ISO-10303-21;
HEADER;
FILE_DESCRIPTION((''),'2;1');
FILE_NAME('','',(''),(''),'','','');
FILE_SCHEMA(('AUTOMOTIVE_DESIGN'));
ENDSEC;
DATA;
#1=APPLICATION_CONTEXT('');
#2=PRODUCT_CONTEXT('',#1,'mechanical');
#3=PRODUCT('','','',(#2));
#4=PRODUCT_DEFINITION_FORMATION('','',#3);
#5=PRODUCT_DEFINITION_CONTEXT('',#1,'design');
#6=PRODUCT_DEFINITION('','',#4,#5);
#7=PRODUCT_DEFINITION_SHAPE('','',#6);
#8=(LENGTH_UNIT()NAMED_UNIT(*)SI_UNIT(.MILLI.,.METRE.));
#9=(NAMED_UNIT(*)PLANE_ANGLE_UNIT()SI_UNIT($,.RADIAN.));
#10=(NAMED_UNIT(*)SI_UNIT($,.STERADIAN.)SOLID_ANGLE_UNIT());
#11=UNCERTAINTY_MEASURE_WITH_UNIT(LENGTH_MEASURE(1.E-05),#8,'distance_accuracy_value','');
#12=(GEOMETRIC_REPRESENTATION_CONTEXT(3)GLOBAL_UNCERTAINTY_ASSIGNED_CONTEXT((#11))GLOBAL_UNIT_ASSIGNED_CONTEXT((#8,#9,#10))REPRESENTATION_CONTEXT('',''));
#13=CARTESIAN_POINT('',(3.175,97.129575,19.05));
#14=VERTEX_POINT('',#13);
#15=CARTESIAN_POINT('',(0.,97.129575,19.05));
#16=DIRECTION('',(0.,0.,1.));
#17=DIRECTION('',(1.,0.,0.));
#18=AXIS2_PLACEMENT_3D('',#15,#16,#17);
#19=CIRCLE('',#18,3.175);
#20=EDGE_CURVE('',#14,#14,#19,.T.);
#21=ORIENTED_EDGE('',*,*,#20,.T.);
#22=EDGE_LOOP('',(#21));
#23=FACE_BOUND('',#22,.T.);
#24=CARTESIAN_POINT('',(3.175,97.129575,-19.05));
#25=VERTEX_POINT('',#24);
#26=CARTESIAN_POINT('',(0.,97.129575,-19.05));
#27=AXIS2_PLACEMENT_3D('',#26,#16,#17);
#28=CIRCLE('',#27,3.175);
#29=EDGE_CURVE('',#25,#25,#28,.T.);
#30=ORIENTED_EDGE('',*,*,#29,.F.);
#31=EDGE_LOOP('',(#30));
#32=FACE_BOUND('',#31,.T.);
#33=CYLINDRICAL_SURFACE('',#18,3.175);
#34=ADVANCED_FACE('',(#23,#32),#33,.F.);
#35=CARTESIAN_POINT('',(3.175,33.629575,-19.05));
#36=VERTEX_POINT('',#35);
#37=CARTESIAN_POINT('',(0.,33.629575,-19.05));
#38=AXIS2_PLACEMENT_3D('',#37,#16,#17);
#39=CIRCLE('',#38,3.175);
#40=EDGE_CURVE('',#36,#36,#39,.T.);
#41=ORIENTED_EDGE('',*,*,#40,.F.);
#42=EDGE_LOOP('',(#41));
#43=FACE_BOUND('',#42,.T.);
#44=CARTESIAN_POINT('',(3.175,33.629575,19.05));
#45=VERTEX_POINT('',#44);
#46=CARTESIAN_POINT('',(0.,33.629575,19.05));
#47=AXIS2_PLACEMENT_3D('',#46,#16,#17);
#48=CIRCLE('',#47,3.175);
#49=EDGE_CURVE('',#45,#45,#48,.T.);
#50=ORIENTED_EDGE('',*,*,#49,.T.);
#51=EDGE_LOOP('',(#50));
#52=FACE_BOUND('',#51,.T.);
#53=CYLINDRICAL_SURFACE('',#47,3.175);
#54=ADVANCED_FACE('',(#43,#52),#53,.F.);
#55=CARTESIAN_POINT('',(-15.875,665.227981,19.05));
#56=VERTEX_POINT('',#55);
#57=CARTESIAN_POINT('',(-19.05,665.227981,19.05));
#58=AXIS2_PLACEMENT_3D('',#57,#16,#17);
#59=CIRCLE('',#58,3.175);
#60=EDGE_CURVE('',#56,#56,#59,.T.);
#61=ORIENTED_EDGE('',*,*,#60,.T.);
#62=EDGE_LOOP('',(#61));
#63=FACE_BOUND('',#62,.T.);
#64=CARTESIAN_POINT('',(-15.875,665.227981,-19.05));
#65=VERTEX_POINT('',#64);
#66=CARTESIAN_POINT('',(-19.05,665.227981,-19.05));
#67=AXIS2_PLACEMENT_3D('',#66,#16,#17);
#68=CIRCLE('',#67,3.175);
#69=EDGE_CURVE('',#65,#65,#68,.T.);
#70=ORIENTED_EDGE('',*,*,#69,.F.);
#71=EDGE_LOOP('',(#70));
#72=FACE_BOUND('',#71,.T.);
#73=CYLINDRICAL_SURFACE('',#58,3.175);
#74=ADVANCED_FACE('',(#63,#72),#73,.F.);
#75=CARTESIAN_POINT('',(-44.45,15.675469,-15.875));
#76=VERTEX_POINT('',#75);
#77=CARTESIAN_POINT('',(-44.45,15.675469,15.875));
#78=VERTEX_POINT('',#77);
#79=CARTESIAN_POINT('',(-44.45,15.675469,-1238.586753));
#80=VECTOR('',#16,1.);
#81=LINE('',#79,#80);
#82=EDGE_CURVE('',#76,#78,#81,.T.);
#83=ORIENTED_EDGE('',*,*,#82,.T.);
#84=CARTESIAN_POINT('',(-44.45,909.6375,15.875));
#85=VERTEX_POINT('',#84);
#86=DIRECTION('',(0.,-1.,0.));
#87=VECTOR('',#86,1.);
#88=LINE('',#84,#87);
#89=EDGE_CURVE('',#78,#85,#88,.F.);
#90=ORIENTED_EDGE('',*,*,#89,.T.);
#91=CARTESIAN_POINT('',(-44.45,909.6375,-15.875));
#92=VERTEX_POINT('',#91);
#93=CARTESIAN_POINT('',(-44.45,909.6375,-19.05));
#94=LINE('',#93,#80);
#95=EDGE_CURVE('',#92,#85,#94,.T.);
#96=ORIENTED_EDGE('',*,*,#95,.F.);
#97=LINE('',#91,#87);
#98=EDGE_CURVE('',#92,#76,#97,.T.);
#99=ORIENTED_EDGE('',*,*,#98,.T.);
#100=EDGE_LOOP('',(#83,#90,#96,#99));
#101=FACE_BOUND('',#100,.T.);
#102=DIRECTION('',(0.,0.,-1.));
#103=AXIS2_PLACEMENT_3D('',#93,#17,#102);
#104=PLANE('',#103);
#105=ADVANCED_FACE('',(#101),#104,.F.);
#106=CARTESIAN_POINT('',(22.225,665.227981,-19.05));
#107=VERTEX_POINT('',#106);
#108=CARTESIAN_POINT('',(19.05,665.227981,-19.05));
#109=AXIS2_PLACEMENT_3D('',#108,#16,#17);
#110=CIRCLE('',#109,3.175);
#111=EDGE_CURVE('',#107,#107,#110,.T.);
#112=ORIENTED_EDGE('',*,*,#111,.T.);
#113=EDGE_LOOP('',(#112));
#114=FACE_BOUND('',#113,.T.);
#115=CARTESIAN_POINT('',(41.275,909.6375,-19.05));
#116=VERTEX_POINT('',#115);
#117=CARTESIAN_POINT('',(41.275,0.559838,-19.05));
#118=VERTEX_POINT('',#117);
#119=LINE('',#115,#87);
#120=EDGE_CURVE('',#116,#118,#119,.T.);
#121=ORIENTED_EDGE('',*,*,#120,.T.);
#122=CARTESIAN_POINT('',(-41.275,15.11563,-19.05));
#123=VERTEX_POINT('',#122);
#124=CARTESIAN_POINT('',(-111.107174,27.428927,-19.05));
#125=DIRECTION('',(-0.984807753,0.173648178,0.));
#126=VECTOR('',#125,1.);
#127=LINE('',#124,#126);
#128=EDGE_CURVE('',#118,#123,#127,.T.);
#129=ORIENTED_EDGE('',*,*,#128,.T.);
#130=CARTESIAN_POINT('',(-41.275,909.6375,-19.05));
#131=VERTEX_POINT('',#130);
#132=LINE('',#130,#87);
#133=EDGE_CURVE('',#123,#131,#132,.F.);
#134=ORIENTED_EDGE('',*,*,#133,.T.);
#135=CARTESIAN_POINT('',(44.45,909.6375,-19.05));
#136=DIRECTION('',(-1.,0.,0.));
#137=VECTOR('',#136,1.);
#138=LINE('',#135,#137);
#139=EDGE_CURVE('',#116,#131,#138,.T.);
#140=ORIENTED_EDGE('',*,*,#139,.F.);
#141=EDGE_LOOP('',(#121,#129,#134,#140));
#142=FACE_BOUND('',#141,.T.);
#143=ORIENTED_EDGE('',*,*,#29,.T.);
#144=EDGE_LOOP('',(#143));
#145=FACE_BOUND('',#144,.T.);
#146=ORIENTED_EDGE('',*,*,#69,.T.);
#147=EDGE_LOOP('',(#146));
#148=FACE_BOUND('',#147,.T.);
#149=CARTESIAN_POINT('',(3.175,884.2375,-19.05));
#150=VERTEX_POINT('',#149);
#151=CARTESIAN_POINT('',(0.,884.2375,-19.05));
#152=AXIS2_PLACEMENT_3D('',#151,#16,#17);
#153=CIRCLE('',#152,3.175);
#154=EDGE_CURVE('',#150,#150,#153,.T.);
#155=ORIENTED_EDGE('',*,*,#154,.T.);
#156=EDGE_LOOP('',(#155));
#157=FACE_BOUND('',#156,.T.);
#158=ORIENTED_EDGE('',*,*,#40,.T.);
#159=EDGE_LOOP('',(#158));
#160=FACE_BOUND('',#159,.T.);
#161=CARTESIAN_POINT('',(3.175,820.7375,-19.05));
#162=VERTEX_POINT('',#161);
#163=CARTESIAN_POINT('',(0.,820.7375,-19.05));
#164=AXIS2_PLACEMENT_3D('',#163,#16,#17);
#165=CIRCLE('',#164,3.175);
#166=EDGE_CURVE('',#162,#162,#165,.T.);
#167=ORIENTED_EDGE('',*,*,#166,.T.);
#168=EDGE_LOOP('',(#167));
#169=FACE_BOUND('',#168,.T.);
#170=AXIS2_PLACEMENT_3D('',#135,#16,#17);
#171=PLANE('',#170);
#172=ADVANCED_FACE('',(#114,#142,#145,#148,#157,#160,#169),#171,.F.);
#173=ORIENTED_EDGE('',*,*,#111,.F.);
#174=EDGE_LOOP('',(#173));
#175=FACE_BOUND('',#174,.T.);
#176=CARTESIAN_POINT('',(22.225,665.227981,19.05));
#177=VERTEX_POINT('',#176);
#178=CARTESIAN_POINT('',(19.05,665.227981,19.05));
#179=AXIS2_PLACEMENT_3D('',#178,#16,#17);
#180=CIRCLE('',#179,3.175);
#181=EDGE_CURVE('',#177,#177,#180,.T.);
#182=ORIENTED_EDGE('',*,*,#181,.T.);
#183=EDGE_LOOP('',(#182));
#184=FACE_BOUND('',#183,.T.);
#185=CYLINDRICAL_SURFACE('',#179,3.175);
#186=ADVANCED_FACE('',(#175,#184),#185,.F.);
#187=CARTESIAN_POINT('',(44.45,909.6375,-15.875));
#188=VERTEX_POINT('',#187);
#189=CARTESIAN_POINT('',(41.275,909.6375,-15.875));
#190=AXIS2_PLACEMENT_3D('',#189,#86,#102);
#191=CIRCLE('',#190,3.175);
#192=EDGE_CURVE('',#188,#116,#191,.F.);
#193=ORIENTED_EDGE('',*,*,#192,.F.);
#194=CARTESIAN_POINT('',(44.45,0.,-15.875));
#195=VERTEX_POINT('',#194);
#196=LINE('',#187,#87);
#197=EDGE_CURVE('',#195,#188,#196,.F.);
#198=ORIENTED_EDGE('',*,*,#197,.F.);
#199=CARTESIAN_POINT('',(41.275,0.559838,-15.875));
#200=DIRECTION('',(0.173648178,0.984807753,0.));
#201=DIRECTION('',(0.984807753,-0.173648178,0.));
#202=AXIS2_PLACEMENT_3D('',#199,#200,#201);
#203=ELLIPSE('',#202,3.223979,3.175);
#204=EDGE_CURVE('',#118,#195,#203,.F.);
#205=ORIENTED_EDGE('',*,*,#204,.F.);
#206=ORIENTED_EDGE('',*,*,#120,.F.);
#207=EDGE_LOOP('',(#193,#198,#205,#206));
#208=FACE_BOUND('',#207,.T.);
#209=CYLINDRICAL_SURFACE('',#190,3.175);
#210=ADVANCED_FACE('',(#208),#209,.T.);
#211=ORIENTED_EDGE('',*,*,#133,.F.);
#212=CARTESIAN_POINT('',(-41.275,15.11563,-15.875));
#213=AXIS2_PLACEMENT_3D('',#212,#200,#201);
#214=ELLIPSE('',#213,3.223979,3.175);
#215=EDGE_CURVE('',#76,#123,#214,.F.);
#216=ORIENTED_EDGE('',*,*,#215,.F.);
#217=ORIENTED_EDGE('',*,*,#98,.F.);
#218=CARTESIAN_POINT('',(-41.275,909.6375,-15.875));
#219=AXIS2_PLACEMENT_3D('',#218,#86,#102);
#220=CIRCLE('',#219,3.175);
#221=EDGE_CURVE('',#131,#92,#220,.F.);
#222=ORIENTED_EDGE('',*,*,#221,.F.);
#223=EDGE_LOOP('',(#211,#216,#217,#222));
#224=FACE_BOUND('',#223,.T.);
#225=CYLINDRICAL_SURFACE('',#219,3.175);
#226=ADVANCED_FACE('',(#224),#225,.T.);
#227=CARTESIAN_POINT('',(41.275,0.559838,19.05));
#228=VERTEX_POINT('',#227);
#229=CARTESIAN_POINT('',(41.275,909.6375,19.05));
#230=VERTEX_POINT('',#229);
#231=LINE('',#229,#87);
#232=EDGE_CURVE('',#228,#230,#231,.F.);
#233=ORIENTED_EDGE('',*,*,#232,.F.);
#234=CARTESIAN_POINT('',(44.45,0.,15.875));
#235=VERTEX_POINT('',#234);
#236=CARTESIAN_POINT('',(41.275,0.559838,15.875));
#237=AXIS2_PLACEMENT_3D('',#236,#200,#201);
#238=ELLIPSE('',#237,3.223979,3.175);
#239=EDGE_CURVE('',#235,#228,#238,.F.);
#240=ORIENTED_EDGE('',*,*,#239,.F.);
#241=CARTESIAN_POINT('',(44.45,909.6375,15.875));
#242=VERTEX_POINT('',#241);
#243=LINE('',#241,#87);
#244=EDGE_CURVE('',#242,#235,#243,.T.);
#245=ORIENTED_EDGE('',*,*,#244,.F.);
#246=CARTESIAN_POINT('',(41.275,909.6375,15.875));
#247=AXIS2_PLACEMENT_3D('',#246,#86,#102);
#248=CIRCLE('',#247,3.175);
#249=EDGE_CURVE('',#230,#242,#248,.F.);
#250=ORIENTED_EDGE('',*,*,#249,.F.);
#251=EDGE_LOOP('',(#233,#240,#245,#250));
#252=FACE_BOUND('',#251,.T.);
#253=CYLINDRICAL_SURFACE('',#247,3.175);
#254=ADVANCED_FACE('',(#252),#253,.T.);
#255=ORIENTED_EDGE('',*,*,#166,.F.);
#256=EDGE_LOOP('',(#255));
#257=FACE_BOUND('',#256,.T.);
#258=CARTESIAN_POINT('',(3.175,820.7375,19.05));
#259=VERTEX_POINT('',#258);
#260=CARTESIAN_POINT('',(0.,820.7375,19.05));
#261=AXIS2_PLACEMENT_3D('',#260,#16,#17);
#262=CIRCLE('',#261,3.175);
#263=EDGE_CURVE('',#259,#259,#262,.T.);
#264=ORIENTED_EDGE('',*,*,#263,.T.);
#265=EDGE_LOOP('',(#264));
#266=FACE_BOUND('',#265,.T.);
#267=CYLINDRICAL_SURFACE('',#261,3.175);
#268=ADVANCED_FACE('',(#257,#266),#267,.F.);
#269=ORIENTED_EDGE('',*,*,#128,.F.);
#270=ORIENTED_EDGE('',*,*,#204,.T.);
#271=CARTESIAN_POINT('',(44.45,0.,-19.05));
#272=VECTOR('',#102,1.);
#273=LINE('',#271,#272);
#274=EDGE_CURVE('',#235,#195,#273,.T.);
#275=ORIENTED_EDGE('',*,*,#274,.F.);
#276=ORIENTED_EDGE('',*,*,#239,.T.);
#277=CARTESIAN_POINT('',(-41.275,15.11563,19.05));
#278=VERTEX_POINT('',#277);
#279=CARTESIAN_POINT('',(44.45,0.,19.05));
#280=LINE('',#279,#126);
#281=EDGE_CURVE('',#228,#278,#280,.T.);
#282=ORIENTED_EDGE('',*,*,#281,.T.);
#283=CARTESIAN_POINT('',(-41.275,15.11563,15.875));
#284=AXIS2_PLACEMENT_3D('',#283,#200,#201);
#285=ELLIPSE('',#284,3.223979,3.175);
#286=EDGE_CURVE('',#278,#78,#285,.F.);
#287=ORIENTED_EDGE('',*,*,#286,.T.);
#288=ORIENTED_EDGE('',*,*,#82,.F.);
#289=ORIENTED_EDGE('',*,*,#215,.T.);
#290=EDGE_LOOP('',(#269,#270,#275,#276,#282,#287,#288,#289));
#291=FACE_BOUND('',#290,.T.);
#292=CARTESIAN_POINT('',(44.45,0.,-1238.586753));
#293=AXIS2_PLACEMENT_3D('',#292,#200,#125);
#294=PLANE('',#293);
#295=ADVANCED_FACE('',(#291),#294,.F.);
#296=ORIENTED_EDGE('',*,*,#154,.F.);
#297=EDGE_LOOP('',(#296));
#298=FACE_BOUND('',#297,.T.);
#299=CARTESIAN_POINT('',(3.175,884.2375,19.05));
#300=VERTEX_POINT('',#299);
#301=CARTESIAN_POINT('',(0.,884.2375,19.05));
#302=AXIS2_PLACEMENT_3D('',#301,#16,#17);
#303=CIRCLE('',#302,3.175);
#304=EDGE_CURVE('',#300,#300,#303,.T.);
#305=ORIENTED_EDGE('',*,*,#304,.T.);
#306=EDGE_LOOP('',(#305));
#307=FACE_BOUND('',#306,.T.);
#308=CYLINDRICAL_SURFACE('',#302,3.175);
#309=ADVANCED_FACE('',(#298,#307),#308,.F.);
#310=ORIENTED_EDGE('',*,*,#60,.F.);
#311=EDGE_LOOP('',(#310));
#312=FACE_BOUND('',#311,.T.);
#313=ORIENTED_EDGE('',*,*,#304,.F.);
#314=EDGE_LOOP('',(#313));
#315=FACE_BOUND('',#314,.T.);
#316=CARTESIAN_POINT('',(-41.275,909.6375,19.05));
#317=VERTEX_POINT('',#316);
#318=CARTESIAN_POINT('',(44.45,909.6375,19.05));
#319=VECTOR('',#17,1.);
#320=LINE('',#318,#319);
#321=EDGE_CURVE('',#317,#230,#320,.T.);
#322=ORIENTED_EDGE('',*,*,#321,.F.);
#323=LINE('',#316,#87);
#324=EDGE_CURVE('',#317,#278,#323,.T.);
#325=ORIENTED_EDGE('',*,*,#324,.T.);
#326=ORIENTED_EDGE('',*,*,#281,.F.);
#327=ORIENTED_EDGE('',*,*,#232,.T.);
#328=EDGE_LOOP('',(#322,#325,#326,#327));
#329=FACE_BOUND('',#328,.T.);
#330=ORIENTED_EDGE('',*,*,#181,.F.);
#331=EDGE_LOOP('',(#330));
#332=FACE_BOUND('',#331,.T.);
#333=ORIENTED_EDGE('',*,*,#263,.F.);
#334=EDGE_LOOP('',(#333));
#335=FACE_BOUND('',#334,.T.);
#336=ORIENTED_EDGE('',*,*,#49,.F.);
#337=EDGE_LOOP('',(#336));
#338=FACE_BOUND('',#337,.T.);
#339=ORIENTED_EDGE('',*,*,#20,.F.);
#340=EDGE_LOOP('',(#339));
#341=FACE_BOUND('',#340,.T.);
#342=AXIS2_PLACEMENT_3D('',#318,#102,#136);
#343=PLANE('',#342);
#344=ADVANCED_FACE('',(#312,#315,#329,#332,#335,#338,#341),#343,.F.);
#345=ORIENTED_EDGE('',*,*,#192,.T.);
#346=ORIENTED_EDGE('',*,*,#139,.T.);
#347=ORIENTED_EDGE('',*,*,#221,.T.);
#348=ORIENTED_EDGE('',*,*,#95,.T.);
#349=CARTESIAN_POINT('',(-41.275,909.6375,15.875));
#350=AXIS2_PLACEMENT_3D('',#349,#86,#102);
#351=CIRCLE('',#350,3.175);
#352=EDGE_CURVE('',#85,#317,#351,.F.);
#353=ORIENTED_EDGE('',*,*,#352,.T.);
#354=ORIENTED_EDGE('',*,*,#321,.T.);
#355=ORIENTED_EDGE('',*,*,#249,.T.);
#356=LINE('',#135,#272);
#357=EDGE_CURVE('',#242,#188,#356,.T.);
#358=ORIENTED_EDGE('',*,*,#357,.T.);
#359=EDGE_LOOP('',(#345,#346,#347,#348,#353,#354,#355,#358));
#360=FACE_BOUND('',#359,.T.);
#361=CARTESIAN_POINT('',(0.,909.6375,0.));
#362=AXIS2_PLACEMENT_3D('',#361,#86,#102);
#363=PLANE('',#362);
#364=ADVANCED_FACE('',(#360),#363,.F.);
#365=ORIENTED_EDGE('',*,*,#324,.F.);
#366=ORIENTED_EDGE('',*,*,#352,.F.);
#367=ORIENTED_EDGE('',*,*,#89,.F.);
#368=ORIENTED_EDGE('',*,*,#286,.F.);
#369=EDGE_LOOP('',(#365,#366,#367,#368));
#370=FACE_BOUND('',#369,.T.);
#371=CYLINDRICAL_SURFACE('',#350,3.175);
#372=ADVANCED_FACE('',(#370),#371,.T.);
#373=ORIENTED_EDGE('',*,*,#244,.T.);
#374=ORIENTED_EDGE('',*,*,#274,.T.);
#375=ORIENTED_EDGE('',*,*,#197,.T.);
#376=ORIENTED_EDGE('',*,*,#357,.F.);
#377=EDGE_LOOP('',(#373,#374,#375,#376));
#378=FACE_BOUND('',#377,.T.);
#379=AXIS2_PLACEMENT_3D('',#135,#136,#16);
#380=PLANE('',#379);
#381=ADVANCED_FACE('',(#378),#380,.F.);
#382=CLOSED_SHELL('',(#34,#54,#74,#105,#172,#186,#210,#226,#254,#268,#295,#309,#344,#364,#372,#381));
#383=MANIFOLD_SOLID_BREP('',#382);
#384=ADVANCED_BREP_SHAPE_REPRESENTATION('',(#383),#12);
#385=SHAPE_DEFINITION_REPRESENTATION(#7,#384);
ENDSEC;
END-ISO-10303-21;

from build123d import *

# Parameters (mm, degrees)
SKETCH1_W                   = 88.9
SKETCH1_H                   = 38.1
BOSS_EXTRUDE1_DEPTH         = 909.6375
CUT_EXTRUDE1_DEPTH          = 1257.6367532
F_1_4_0_25_DIAMETER_HOLE2_D = 6.35
FILLET1_R                   = 3.175


with BuildPart() as part:
    # Sketch1 → Boss-Extrude1 (new body)
    with BuildSketch(Plane(origin=(0, 0, 0), x_dir=(1, 0, 0), z_dir=(0, 1, 0))):
        Rectangle(SKETCH1_W, SKETCH1_H)
    extrude(amount=BOSS_EXTRUDE1_DEPTH)

    # Sketch2 → Cut-Extrude1 (cut)
    with BuildSketch(Plane.XY.offset(19.05)):
        Polygon((44.45, 0), (-44.45, 15.675468585), (-44.45, 0), align=None)
    extrude(amount=-CUT_EXTRUDE1_DEPTH, mode=Mode.SUBTRACT)

    # 1/4 (0.25) Diameter Hole2 (through all)
    with Locations(Plane.XY.offset(19.05)):
        with Locations((0, 33.6295746), (0, 97.1295746), (19.05, 665.2279812), (-19.05, 665.2279812), (0, 820.7375), (0, 884.2375)):
            Hole(F_1_4_0_25_DIAMETER_HOLE2_D / 2)

    # Fillet1
    fillet1_edges = [part.edges().sort_by_distance(p)[0] for p in [
        (-44.45, 462.656484292, -19.05),
        (44.45, 454.81875, -19.05),
        (44.45, 454.81875, 19.05),
        (-44.45, 462.656484292, 19.05),
    ]]
    fillet(fillet1_edges, radius=FILLET1_R)


solid = part.part
